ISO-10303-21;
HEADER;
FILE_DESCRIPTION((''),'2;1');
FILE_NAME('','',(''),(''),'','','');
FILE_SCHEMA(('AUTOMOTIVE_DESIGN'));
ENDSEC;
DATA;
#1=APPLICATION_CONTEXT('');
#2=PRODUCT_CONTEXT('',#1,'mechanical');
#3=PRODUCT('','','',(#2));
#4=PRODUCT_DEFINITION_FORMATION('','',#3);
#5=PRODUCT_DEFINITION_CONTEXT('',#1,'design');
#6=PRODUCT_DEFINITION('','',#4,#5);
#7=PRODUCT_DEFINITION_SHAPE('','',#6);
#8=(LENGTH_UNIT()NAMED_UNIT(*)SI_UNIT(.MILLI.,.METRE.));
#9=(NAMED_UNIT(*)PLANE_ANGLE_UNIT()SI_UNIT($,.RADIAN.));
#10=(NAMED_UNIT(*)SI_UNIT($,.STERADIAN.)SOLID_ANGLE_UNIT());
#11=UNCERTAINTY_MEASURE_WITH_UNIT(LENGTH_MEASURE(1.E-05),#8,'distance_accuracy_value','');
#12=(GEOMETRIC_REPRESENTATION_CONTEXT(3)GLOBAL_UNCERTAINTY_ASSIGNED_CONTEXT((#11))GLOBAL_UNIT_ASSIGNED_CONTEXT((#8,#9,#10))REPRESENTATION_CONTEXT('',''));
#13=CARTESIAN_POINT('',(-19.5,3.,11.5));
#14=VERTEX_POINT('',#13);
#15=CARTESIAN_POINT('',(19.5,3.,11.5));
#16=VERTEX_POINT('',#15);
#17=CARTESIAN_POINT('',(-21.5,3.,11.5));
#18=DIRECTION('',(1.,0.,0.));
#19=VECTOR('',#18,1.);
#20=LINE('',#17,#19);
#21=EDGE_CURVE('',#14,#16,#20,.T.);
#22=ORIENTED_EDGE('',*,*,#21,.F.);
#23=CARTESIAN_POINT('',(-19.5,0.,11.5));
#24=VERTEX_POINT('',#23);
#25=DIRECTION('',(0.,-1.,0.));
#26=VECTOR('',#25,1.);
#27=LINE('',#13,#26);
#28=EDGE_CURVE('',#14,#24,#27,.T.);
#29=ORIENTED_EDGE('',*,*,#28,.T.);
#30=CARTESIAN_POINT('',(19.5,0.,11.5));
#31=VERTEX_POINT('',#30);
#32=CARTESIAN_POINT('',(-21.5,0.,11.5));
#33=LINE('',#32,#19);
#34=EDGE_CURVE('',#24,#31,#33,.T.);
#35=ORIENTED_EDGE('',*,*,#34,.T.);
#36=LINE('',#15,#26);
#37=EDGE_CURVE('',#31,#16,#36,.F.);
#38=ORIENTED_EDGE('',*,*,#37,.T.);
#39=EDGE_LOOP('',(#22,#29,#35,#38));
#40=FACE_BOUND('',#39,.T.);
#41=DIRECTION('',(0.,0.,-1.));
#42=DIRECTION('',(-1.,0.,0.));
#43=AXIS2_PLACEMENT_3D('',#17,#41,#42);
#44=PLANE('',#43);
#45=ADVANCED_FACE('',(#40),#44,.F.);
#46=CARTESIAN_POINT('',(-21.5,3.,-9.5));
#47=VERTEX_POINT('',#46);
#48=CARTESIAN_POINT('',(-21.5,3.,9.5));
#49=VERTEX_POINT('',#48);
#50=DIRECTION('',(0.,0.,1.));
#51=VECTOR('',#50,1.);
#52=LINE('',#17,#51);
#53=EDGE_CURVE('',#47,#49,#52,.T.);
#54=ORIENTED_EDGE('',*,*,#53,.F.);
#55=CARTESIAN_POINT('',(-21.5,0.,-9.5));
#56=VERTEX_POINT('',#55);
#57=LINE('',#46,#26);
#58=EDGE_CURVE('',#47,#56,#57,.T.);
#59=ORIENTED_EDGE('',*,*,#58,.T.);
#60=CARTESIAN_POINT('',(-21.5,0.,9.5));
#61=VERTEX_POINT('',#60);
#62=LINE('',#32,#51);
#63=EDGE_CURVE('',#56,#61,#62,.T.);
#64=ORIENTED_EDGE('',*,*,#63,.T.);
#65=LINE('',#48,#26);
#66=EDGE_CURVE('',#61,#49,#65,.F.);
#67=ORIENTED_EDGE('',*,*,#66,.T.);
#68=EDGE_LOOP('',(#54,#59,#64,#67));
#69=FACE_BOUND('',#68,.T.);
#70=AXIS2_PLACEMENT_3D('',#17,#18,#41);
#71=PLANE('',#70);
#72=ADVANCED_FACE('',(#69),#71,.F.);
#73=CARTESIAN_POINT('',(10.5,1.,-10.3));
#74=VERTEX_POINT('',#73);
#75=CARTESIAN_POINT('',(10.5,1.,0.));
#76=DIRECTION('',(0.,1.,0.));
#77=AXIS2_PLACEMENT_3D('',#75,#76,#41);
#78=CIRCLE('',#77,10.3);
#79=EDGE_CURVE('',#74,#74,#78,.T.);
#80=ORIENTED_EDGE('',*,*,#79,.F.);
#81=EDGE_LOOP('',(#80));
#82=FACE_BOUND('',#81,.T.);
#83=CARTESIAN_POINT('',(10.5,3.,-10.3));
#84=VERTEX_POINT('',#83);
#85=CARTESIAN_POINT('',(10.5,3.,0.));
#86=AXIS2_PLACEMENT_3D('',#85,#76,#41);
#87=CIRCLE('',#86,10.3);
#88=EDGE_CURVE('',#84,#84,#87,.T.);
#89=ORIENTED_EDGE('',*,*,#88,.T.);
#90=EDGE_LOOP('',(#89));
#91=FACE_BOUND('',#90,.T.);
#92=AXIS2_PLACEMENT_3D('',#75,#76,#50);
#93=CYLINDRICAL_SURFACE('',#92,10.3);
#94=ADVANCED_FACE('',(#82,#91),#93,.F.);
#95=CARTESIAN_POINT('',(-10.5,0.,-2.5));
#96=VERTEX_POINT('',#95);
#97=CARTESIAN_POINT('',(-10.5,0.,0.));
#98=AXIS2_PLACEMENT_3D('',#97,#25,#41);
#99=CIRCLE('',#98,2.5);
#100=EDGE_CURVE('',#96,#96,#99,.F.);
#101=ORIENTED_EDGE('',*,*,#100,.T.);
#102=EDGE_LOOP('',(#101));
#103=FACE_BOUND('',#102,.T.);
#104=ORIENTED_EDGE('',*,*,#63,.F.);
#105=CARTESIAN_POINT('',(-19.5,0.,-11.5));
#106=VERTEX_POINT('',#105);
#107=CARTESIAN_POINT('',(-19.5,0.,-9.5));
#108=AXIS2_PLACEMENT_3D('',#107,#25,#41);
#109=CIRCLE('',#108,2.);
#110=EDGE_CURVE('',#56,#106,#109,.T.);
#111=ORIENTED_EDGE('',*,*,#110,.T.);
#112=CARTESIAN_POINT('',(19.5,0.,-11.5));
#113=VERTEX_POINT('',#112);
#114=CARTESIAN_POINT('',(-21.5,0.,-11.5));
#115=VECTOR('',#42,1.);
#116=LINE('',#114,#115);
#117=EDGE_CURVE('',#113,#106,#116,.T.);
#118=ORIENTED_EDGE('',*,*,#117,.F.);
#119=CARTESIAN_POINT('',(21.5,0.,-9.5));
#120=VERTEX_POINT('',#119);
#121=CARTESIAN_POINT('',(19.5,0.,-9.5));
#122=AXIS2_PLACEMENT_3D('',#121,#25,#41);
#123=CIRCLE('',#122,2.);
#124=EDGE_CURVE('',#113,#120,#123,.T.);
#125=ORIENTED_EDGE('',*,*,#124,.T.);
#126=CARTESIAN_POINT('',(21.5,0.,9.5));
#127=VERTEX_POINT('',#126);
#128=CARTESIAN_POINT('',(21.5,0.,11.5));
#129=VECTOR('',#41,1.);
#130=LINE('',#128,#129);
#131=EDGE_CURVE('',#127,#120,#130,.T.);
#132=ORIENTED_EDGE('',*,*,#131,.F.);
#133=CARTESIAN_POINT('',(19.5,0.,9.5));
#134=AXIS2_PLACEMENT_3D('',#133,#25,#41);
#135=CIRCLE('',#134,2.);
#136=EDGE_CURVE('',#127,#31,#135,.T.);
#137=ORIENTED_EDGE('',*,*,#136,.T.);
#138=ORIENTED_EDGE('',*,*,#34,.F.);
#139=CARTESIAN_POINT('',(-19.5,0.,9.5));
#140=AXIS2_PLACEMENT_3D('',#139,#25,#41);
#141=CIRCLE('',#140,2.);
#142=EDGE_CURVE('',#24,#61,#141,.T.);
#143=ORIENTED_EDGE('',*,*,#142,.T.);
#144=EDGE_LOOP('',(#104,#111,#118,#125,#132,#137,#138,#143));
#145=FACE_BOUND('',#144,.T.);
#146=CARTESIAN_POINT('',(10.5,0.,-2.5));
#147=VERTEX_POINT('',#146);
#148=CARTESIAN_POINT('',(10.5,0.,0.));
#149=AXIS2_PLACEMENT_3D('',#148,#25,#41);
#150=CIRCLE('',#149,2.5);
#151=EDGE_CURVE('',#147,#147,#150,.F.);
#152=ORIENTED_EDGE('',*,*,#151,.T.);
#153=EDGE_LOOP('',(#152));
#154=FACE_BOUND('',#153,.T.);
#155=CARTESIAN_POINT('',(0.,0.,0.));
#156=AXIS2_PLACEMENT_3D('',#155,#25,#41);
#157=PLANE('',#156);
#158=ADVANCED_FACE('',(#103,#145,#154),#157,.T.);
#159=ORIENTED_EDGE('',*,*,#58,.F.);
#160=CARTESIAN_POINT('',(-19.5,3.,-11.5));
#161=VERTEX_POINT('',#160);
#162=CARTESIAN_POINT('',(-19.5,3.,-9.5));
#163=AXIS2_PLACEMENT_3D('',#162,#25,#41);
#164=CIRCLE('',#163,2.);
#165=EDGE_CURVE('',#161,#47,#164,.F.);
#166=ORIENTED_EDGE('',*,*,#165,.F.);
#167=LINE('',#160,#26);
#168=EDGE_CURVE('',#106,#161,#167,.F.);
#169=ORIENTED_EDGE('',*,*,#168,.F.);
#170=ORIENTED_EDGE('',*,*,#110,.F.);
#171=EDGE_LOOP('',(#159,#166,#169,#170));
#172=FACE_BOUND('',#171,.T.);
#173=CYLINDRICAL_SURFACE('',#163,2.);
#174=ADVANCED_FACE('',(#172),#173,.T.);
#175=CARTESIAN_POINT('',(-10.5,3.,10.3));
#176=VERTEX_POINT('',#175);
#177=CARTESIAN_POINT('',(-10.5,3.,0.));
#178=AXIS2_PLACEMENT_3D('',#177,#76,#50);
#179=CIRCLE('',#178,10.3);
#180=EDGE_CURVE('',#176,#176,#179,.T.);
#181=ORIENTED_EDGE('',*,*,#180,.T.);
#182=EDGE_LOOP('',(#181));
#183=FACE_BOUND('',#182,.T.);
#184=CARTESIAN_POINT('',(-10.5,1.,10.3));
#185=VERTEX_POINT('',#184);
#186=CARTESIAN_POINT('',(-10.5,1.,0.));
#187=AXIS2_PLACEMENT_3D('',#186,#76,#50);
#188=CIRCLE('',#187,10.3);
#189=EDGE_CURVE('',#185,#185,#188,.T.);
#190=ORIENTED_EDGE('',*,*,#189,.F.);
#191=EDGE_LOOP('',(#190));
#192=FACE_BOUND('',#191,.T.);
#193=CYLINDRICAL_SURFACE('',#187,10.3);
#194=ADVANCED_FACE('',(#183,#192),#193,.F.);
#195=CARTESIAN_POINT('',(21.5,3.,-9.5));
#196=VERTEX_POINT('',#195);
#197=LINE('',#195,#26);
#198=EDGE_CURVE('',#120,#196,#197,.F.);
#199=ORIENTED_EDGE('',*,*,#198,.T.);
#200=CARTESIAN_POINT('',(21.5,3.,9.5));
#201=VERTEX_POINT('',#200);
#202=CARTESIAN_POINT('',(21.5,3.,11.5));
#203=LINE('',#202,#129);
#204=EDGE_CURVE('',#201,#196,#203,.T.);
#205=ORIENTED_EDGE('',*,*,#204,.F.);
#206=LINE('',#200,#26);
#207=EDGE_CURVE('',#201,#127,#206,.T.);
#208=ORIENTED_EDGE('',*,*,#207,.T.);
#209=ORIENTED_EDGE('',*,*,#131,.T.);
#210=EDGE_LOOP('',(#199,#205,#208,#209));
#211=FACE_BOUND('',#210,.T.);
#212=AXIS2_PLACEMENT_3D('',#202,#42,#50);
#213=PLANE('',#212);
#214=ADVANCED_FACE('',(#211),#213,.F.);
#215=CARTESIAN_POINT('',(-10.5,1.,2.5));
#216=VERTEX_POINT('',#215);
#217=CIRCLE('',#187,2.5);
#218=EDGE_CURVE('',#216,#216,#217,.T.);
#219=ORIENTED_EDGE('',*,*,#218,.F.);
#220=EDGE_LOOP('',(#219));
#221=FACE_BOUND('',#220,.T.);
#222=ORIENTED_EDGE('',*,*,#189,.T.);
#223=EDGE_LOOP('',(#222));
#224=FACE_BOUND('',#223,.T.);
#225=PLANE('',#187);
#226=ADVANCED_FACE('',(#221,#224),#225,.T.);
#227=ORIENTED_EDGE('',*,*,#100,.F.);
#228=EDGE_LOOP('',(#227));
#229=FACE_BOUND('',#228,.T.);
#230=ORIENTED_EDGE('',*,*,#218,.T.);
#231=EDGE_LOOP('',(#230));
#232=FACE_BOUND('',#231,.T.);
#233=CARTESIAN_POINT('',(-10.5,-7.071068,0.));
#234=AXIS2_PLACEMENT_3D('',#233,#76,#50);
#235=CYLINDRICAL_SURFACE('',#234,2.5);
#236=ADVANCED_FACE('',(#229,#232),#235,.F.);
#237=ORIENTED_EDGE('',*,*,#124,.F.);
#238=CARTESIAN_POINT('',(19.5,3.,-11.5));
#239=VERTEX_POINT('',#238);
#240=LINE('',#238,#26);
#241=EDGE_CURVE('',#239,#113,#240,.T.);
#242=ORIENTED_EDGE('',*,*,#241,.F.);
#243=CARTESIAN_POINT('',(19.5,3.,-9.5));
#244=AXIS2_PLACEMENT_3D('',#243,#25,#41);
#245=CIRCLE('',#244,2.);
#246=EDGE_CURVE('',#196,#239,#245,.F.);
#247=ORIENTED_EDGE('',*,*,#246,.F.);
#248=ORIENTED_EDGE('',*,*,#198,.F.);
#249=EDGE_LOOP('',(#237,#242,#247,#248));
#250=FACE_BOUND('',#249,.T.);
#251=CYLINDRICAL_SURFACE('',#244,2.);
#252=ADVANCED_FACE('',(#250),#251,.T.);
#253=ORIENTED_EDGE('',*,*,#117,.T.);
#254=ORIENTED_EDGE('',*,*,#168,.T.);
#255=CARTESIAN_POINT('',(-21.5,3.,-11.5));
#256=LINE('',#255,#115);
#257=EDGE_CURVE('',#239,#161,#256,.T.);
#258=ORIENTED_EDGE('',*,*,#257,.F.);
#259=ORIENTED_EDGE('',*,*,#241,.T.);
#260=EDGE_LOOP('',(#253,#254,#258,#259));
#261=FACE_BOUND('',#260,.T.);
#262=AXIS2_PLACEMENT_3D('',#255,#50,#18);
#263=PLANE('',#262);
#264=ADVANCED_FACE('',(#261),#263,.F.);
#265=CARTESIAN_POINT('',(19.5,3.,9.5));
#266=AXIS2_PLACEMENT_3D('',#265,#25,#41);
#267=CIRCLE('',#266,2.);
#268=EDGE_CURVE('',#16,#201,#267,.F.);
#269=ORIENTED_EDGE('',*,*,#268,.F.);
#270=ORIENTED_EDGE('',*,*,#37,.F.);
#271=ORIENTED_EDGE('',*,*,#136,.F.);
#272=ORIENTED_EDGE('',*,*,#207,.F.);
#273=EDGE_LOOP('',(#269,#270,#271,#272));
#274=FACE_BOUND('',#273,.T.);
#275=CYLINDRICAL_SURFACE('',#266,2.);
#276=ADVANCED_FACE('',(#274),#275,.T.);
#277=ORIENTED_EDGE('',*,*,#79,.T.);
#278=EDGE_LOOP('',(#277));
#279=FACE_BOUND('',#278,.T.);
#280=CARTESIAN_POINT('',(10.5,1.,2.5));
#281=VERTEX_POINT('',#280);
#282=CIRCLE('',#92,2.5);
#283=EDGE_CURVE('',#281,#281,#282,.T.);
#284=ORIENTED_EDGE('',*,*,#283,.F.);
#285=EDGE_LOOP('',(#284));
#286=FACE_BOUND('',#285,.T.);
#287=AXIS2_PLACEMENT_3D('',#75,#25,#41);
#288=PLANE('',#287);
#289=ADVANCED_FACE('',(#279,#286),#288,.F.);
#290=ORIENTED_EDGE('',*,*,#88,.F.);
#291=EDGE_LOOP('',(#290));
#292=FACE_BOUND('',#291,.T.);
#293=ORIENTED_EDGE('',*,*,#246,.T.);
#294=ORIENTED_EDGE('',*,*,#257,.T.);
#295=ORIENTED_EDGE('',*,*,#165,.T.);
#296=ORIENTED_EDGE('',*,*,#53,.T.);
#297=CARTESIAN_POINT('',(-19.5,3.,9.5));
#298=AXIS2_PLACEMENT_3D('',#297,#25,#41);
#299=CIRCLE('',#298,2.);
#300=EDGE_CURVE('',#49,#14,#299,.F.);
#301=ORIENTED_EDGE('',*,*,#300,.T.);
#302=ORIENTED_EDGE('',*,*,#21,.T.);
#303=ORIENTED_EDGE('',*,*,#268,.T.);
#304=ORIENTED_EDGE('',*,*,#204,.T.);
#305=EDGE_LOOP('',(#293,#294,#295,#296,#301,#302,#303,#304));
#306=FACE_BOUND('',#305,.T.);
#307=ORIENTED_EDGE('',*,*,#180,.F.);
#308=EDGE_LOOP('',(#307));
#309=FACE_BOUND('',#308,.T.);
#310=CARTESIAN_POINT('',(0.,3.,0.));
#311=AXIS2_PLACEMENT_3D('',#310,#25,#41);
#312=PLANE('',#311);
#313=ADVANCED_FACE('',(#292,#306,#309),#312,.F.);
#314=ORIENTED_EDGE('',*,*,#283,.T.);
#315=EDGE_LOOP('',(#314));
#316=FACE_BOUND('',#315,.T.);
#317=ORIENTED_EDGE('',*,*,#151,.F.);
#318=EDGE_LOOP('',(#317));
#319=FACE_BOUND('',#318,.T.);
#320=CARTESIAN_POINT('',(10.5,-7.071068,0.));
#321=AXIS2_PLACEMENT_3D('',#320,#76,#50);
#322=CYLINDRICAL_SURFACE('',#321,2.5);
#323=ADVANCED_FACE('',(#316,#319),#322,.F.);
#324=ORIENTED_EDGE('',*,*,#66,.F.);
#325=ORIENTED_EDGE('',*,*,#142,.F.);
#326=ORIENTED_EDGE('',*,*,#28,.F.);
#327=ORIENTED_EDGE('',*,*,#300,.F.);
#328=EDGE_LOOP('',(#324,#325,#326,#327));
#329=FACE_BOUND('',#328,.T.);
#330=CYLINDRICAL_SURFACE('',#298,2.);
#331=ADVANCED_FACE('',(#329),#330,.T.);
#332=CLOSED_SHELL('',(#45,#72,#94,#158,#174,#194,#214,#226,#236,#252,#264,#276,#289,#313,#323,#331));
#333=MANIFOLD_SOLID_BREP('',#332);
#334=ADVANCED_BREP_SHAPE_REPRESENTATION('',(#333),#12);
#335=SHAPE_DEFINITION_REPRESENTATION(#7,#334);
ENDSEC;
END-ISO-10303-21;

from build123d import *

# Parameters (mm, degrees)
CROQUIS1_W              = 43
CROQUIS1_H              = 23
SALIENTE_EXTRUIR1_DEPTH = 3
REDONDEO1_R             = 2
CROQUIS2_R              = 10.3
CORTAR_EXTRUIR1_DEPTH   = 2
CROQUIS3_R              = 2.5
CORTAR_EXTRUIR2_DEPTH   = 1


with BuildPart() as part:
    # Croquis1 → Saliente-Extruir1 (new body)
    with BuildSketch(Plane(origin=(0, 0, 0), x_dir=(1, 0, 0), z_dir=(0, 1, 0))):
        Rectangle(CROQUIS1_W, CROQUIS1_H)
    extrude(amount=SALIENTE_EXTRUIR1_DEPTH)

    # Redondeo1
    redondeo1_edges = [part.edges().sort_by_distance(p)[0] for p in [
        (21.5, 1.5, 11.5),
        (-21.5, 1.5, 11.5),
        (-21.5, 1.5, -11.5),
        (21.5, 1.5, -11.5),
    ]]
    fillet(redondeo1_edges, radius=REDONDEO1_R)

    # Croquis2 → Cortar-Extruir1 (cut)
    with BuildSketch(Plane(origin=(0, 3, 0), x_dir=(1, 0, 0), z_dir=(0, 1, 0))):
        with Locations(Location((-10.5, 0, 0), (0, 0, 270))):
            Circle(CROQUIS2_R)
        with Locations(Location((10.5, 0, 0), (0, 0, 90))):
            Circle(CROQUIS2_R)
    extrude(amount=-CORTAR_EXTRUIR1_DEPTH, mode=Mode.SUBTRACT)

    # Croquis3 → Cortar-Extruir2 (cut)
    with BuildSketch(Plane(origin=(0, 1, 0), x_dir=(1, 0, 0), z_dir=(0, 1, 0))):
        with Locations(Location((-10.5, 0, 0), (0, 0, 270))):
            Circle(CROQUIS3_R)
        with Locations(Location((10.5, 0, 0), (0, 0, 270))):
            Circle(CROQUIS3_R)
    extrude(amount=-CORTAR_EXTRUIR2_DEPTH, mode=Mode.SUBTRACT)


solid = part.part
